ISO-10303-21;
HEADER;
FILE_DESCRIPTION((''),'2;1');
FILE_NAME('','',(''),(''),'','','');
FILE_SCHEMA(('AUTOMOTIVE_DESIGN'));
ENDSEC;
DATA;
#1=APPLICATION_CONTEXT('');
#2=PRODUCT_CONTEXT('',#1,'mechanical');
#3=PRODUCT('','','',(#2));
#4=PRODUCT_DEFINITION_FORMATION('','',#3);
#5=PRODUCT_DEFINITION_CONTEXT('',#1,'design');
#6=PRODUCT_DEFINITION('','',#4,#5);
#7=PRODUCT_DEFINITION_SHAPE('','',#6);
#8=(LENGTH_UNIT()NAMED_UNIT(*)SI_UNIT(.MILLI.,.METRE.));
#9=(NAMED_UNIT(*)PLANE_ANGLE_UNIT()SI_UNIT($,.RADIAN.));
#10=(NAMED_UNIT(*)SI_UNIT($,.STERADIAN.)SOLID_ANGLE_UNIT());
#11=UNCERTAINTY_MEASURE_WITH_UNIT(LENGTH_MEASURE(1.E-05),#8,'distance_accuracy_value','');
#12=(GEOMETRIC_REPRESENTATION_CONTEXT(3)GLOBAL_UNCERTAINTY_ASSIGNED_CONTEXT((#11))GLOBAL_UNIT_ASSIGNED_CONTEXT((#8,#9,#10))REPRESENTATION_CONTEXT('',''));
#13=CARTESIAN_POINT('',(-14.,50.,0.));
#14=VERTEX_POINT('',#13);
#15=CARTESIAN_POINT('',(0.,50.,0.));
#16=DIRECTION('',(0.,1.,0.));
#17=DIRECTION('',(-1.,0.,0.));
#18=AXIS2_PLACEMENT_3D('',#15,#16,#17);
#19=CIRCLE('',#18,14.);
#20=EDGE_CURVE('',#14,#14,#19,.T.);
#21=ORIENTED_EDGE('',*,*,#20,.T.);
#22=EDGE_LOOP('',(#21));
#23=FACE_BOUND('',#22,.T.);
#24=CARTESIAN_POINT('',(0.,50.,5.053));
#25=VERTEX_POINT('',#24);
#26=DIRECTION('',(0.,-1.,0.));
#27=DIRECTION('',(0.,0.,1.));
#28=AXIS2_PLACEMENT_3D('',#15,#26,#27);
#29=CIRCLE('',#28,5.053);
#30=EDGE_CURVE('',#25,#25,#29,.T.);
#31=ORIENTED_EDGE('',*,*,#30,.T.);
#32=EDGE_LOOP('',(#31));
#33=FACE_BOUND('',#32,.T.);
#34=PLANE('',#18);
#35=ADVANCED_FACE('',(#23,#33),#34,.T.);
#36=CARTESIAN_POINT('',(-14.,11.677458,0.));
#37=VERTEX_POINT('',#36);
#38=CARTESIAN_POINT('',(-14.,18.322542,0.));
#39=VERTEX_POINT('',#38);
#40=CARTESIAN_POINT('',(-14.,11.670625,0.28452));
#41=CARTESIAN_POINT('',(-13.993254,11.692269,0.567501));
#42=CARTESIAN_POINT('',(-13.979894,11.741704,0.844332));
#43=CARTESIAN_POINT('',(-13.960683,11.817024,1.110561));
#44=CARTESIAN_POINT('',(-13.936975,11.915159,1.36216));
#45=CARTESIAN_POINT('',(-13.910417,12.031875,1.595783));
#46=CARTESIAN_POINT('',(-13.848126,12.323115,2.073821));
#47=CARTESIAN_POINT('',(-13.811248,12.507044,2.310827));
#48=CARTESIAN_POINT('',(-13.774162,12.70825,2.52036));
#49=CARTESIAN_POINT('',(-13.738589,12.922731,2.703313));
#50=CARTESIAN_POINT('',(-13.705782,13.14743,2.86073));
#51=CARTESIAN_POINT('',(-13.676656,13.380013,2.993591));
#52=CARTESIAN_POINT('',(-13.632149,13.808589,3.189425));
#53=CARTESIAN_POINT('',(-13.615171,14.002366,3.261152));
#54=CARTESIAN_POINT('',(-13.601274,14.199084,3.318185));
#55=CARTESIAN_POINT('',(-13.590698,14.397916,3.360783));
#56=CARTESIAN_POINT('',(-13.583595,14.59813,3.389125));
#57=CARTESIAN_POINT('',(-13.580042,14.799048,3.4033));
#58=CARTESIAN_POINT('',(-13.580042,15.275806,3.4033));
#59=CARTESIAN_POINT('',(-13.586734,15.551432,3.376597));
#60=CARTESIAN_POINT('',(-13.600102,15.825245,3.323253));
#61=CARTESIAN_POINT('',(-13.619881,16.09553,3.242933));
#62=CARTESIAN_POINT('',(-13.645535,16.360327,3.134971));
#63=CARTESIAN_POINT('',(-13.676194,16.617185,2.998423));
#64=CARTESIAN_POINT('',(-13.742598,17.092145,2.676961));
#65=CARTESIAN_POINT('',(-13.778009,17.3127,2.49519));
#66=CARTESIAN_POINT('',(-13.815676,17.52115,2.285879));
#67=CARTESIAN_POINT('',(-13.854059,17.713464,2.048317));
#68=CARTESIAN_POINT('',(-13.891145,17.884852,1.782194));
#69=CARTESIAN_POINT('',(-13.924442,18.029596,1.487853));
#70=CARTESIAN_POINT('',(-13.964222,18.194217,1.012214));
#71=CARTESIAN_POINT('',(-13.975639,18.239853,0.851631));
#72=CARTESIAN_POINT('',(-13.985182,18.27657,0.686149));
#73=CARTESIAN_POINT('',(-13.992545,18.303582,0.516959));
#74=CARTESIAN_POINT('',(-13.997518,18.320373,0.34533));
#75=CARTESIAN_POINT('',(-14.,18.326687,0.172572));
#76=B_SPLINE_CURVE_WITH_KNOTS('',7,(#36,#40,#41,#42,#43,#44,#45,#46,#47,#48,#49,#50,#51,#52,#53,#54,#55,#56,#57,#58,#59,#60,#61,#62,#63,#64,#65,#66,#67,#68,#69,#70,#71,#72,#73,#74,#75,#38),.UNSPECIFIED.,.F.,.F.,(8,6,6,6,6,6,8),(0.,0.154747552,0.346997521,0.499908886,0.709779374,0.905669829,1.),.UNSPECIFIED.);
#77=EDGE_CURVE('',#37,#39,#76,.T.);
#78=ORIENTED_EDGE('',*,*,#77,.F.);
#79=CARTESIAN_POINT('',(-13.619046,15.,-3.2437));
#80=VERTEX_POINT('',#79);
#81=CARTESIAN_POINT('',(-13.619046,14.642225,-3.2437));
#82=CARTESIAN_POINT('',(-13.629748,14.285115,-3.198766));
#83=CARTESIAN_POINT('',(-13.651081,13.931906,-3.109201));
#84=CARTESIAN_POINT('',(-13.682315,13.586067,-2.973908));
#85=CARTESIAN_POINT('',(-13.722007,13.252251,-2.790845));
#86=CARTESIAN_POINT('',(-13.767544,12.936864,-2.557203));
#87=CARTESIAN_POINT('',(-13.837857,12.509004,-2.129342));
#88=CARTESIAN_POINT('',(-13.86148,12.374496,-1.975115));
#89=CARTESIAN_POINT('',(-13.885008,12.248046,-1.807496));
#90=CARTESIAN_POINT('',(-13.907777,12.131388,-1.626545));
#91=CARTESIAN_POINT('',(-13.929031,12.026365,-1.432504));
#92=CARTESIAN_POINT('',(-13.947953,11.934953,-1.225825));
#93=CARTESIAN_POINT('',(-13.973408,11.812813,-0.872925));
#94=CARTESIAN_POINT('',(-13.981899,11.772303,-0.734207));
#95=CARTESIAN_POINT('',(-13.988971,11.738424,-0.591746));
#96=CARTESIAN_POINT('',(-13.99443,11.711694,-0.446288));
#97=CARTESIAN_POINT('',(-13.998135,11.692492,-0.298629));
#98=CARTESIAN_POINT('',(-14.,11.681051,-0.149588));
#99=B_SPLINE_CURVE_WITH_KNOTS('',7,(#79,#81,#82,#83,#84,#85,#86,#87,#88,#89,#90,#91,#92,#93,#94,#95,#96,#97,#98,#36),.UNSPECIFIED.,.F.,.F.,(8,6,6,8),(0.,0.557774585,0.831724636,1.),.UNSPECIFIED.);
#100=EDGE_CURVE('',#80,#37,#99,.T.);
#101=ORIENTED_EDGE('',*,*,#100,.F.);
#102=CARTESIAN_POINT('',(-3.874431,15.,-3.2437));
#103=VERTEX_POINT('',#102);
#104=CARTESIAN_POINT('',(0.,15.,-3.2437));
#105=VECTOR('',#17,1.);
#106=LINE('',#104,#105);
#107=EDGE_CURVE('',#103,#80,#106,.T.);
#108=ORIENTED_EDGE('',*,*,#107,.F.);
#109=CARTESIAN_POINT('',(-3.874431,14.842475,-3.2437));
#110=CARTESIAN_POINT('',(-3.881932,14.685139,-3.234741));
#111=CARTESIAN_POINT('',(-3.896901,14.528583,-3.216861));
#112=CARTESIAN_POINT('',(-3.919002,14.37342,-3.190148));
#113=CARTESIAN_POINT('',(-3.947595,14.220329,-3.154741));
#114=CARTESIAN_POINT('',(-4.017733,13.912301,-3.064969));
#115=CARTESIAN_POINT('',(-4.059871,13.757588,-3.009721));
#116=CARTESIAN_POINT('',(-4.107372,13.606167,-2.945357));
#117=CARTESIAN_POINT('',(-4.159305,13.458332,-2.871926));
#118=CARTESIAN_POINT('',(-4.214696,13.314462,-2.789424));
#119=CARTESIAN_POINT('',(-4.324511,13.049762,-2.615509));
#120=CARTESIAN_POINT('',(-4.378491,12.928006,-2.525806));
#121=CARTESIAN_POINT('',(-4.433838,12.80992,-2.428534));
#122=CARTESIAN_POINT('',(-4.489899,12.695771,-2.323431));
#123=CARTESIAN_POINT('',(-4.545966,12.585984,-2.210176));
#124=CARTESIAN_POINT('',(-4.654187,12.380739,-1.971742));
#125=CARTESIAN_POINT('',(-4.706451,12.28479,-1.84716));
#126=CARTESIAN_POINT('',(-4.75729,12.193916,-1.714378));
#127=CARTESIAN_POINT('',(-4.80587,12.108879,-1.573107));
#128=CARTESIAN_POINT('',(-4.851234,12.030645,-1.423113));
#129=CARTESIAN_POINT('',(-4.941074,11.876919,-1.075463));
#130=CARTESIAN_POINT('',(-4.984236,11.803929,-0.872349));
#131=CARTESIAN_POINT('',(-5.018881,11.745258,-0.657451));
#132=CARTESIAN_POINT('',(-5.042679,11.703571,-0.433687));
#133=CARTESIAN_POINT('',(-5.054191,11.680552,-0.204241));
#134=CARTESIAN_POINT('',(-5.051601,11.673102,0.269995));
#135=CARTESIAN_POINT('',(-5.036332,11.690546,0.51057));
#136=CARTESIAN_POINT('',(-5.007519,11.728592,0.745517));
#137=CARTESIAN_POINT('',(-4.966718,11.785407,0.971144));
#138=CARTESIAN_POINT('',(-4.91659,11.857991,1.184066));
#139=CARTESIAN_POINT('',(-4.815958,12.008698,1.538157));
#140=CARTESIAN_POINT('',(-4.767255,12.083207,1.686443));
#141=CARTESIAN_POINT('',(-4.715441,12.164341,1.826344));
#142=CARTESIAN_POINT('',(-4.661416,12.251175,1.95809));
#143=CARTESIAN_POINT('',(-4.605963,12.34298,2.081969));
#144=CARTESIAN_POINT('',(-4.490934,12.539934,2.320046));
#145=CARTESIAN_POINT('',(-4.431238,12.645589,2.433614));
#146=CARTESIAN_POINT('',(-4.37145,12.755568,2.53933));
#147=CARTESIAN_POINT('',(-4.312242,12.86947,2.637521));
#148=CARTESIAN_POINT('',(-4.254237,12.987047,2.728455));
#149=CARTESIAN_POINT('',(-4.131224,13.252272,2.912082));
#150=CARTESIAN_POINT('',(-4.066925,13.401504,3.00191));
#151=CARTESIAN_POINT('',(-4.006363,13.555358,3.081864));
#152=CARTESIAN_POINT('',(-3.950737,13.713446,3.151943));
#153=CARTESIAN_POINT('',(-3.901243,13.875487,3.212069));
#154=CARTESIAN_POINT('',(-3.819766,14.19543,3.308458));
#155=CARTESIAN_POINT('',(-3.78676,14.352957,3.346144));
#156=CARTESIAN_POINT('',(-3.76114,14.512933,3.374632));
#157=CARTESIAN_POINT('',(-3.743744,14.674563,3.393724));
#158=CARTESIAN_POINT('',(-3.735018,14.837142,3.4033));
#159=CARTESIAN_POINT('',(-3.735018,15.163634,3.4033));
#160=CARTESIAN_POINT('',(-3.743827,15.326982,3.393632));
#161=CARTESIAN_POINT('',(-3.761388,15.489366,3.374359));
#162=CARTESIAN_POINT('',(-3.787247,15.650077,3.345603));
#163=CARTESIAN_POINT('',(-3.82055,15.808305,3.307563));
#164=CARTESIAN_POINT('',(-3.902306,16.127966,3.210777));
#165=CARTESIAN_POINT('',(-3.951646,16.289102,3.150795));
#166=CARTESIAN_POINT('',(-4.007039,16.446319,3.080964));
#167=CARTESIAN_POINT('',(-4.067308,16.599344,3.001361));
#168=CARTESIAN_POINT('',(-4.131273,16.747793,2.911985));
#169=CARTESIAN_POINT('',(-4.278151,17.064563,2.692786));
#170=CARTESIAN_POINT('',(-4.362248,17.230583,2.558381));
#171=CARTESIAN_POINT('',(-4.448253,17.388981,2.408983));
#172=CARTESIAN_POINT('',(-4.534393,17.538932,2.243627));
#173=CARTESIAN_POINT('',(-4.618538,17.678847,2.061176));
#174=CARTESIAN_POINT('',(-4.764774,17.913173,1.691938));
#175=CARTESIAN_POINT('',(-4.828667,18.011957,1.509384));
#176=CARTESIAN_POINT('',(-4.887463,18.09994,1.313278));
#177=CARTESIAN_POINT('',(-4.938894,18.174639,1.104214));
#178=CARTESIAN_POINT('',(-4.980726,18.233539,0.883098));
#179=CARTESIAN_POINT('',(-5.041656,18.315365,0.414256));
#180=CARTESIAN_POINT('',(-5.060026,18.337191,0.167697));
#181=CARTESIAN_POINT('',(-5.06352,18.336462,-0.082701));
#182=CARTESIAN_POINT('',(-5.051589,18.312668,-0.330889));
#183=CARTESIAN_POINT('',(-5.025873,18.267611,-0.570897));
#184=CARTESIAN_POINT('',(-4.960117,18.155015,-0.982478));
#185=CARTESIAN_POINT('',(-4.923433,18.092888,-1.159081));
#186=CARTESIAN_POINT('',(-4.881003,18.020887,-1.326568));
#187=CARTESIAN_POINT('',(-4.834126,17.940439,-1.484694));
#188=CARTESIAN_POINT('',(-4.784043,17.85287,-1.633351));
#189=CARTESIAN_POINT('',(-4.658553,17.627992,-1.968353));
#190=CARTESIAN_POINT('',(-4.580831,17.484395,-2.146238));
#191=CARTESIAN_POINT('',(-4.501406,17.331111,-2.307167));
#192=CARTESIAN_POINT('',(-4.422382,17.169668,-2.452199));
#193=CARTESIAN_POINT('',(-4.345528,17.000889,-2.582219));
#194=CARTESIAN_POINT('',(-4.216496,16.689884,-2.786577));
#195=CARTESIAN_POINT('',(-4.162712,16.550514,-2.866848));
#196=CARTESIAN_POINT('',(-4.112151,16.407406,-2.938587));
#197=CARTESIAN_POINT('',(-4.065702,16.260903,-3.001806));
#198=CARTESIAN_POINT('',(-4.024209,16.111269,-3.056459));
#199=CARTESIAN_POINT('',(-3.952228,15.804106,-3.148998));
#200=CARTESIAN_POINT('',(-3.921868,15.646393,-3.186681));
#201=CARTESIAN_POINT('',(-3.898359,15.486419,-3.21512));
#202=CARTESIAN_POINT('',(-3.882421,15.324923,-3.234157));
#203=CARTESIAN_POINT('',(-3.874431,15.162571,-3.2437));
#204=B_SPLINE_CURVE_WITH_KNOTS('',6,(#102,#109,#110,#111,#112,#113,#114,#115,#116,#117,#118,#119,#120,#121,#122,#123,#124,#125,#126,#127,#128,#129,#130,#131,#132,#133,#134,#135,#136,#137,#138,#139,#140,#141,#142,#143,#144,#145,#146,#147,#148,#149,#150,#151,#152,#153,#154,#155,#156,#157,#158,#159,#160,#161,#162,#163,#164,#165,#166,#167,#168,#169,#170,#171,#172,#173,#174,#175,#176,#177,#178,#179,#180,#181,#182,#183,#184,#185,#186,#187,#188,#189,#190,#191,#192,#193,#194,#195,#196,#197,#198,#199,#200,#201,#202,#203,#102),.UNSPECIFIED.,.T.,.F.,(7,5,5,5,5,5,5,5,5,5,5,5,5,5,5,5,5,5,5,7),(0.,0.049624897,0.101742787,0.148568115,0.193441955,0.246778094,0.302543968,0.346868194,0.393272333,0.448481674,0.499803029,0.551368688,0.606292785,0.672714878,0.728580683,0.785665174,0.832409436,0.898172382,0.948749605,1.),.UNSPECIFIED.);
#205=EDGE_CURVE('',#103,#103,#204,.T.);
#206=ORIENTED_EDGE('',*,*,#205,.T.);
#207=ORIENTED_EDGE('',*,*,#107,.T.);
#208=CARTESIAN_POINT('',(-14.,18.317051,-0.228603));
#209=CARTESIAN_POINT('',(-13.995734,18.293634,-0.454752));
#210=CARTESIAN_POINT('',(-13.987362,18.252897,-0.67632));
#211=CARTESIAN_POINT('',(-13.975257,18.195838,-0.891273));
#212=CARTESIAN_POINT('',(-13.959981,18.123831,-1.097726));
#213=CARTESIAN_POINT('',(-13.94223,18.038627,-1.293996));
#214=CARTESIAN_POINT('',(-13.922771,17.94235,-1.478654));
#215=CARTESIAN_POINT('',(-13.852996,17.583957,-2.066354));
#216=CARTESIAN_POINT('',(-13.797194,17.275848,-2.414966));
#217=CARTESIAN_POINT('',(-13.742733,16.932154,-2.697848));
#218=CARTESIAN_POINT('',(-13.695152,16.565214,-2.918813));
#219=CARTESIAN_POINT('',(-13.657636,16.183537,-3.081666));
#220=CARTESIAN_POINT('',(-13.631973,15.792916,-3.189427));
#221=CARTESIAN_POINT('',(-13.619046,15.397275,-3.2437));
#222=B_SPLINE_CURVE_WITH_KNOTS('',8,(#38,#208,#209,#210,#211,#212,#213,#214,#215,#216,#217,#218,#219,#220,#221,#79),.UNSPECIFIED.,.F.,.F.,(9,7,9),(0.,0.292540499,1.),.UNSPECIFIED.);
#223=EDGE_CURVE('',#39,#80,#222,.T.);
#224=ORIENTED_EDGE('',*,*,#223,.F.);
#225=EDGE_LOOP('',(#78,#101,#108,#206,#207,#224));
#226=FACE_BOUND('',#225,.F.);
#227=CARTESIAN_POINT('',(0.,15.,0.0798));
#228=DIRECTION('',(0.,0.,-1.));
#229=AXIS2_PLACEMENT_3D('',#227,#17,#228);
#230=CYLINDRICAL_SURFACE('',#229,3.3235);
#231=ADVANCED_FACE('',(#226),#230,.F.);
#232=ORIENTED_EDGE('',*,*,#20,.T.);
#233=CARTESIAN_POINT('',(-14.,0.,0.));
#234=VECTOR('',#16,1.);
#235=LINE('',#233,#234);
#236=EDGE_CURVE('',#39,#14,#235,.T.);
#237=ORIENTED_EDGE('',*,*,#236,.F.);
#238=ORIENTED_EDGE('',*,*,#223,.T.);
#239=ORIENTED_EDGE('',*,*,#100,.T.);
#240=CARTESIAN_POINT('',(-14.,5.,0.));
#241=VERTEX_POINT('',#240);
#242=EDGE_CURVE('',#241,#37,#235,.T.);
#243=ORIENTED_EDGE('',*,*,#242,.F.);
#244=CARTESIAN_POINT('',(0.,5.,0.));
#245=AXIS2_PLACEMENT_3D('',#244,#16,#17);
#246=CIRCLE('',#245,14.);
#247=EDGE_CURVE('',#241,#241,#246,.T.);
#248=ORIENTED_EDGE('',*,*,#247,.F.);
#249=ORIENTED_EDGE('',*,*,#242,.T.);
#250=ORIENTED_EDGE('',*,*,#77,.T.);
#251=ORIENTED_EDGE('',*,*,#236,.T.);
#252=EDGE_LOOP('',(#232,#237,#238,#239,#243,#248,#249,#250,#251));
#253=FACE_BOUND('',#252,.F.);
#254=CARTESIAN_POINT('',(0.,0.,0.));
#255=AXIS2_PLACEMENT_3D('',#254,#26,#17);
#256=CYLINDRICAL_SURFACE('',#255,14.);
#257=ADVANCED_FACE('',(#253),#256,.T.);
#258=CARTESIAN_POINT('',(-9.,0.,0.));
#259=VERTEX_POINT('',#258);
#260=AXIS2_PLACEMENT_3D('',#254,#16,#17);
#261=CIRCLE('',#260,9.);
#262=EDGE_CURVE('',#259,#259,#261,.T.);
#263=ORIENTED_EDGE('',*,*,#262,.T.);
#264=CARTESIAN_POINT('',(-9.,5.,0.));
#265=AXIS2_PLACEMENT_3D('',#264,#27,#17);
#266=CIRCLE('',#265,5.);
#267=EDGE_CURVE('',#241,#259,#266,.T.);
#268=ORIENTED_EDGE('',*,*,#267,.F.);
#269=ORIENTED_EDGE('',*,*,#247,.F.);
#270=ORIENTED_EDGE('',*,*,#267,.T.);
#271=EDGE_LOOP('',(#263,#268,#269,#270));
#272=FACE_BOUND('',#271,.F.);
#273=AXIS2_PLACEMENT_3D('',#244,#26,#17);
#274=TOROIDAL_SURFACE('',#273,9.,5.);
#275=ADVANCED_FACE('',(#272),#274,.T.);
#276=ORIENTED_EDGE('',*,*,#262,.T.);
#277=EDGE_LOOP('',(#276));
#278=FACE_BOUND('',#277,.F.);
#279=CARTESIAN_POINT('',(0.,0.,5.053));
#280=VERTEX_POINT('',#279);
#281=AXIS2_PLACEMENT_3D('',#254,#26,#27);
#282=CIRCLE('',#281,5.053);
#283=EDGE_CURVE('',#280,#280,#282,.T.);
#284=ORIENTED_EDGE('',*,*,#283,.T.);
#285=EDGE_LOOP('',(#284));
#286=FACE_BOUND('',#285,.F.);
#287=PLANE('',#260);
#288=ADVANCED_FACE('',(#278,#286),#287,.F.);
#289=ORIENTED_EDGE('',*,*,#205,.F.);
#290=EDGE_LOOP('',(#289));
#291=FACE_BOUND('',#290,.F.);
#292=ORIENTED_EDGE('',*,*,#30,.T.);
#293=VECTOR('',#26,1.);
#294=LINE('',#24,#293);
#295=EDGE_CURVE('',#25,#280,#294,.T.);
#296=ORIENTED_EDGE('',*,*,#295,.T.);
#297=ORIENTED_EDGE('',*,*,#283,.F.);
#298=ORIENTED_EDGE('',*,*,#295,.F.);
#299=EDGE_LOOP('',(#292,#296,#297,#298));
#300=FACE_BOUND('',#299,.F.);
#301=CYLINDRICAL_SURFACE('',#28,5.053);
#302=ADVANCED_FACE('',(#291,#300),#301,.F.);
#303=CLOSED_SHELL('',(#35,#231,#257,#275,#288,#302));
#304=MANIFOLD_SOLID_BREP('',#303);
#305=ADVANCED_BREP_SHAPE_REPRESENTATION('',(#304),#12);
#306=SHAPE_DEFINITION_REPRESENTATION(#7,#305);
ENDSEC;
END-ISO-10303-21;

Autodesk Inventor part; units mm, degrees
ref_plane "YZ Plane" through (0, 0, 0) normal (1, 0, 0) x (0, 1, 0)
ref_plane "XZ Plane" through (0, 0, 0) normal (0, 1, 0) x (-1, 0, 0)
ref_plane "XY Plane" through (0, 0, 0) normal (0, 0, 1) x (1, 0, 0)
sketch "Sketch1" plane through (0, 0, 0) normal (0, 1, 0) x (-1, 0, 0)
  circle A0 centre (0, 0) radius 14
  dimension "d0" = 28
extrude "Extrusion1" add sketch "Sketch1" along normal blind 50
sketch "Sketch2" plane through (0, 50, 0) normal (0, 1, 0) x (1, 0, 0)
  circle A0 centre (0, 0) radius 2.5
  dimension "d3" = 5
hole "Hole1" at (0, 50, 0) direction (0, -1, 0) diameter 10.106 depth 50 tip angle 118 thread size "M12x1.75" class "6H" standard "ANSI Metric M Profile"
sketch "Sketch3" plane through (0, 0, 0) normal (1, 0, 0) x (0, 1, 0)
  line L0 (50, -14) -> (50, 14) projected
  line L1 (50, 14.1595) -> (0, -14)
  line L2 (0, 14) -> (0, -14) projected
  line L3 (50, 14.1595) -> (50, -14)
  line L4 (0, 14.1595) -> (15, 14.1595)
  line L5 (15, 14.1595) -> (15, 0.0798)
  circle A0 centre (15, 0.0798) radius 2
  point P0 (0, 0)
  dimension "d11" = 15
  dimension "d12" = 4
hole "Hole2" at (0, 15, 0.0798) direction (-1, 0, 0) diameter 6.647 depth 22.2 tip angle 118 thread size "M8x1.25" class "6H" standard "ANSI Metric M Profile"
fillet "Fillet1" radius 5 1 edges at (14, 0, 0)
properties part number "FIXADOR_APOIO_ROLAMENTO"
